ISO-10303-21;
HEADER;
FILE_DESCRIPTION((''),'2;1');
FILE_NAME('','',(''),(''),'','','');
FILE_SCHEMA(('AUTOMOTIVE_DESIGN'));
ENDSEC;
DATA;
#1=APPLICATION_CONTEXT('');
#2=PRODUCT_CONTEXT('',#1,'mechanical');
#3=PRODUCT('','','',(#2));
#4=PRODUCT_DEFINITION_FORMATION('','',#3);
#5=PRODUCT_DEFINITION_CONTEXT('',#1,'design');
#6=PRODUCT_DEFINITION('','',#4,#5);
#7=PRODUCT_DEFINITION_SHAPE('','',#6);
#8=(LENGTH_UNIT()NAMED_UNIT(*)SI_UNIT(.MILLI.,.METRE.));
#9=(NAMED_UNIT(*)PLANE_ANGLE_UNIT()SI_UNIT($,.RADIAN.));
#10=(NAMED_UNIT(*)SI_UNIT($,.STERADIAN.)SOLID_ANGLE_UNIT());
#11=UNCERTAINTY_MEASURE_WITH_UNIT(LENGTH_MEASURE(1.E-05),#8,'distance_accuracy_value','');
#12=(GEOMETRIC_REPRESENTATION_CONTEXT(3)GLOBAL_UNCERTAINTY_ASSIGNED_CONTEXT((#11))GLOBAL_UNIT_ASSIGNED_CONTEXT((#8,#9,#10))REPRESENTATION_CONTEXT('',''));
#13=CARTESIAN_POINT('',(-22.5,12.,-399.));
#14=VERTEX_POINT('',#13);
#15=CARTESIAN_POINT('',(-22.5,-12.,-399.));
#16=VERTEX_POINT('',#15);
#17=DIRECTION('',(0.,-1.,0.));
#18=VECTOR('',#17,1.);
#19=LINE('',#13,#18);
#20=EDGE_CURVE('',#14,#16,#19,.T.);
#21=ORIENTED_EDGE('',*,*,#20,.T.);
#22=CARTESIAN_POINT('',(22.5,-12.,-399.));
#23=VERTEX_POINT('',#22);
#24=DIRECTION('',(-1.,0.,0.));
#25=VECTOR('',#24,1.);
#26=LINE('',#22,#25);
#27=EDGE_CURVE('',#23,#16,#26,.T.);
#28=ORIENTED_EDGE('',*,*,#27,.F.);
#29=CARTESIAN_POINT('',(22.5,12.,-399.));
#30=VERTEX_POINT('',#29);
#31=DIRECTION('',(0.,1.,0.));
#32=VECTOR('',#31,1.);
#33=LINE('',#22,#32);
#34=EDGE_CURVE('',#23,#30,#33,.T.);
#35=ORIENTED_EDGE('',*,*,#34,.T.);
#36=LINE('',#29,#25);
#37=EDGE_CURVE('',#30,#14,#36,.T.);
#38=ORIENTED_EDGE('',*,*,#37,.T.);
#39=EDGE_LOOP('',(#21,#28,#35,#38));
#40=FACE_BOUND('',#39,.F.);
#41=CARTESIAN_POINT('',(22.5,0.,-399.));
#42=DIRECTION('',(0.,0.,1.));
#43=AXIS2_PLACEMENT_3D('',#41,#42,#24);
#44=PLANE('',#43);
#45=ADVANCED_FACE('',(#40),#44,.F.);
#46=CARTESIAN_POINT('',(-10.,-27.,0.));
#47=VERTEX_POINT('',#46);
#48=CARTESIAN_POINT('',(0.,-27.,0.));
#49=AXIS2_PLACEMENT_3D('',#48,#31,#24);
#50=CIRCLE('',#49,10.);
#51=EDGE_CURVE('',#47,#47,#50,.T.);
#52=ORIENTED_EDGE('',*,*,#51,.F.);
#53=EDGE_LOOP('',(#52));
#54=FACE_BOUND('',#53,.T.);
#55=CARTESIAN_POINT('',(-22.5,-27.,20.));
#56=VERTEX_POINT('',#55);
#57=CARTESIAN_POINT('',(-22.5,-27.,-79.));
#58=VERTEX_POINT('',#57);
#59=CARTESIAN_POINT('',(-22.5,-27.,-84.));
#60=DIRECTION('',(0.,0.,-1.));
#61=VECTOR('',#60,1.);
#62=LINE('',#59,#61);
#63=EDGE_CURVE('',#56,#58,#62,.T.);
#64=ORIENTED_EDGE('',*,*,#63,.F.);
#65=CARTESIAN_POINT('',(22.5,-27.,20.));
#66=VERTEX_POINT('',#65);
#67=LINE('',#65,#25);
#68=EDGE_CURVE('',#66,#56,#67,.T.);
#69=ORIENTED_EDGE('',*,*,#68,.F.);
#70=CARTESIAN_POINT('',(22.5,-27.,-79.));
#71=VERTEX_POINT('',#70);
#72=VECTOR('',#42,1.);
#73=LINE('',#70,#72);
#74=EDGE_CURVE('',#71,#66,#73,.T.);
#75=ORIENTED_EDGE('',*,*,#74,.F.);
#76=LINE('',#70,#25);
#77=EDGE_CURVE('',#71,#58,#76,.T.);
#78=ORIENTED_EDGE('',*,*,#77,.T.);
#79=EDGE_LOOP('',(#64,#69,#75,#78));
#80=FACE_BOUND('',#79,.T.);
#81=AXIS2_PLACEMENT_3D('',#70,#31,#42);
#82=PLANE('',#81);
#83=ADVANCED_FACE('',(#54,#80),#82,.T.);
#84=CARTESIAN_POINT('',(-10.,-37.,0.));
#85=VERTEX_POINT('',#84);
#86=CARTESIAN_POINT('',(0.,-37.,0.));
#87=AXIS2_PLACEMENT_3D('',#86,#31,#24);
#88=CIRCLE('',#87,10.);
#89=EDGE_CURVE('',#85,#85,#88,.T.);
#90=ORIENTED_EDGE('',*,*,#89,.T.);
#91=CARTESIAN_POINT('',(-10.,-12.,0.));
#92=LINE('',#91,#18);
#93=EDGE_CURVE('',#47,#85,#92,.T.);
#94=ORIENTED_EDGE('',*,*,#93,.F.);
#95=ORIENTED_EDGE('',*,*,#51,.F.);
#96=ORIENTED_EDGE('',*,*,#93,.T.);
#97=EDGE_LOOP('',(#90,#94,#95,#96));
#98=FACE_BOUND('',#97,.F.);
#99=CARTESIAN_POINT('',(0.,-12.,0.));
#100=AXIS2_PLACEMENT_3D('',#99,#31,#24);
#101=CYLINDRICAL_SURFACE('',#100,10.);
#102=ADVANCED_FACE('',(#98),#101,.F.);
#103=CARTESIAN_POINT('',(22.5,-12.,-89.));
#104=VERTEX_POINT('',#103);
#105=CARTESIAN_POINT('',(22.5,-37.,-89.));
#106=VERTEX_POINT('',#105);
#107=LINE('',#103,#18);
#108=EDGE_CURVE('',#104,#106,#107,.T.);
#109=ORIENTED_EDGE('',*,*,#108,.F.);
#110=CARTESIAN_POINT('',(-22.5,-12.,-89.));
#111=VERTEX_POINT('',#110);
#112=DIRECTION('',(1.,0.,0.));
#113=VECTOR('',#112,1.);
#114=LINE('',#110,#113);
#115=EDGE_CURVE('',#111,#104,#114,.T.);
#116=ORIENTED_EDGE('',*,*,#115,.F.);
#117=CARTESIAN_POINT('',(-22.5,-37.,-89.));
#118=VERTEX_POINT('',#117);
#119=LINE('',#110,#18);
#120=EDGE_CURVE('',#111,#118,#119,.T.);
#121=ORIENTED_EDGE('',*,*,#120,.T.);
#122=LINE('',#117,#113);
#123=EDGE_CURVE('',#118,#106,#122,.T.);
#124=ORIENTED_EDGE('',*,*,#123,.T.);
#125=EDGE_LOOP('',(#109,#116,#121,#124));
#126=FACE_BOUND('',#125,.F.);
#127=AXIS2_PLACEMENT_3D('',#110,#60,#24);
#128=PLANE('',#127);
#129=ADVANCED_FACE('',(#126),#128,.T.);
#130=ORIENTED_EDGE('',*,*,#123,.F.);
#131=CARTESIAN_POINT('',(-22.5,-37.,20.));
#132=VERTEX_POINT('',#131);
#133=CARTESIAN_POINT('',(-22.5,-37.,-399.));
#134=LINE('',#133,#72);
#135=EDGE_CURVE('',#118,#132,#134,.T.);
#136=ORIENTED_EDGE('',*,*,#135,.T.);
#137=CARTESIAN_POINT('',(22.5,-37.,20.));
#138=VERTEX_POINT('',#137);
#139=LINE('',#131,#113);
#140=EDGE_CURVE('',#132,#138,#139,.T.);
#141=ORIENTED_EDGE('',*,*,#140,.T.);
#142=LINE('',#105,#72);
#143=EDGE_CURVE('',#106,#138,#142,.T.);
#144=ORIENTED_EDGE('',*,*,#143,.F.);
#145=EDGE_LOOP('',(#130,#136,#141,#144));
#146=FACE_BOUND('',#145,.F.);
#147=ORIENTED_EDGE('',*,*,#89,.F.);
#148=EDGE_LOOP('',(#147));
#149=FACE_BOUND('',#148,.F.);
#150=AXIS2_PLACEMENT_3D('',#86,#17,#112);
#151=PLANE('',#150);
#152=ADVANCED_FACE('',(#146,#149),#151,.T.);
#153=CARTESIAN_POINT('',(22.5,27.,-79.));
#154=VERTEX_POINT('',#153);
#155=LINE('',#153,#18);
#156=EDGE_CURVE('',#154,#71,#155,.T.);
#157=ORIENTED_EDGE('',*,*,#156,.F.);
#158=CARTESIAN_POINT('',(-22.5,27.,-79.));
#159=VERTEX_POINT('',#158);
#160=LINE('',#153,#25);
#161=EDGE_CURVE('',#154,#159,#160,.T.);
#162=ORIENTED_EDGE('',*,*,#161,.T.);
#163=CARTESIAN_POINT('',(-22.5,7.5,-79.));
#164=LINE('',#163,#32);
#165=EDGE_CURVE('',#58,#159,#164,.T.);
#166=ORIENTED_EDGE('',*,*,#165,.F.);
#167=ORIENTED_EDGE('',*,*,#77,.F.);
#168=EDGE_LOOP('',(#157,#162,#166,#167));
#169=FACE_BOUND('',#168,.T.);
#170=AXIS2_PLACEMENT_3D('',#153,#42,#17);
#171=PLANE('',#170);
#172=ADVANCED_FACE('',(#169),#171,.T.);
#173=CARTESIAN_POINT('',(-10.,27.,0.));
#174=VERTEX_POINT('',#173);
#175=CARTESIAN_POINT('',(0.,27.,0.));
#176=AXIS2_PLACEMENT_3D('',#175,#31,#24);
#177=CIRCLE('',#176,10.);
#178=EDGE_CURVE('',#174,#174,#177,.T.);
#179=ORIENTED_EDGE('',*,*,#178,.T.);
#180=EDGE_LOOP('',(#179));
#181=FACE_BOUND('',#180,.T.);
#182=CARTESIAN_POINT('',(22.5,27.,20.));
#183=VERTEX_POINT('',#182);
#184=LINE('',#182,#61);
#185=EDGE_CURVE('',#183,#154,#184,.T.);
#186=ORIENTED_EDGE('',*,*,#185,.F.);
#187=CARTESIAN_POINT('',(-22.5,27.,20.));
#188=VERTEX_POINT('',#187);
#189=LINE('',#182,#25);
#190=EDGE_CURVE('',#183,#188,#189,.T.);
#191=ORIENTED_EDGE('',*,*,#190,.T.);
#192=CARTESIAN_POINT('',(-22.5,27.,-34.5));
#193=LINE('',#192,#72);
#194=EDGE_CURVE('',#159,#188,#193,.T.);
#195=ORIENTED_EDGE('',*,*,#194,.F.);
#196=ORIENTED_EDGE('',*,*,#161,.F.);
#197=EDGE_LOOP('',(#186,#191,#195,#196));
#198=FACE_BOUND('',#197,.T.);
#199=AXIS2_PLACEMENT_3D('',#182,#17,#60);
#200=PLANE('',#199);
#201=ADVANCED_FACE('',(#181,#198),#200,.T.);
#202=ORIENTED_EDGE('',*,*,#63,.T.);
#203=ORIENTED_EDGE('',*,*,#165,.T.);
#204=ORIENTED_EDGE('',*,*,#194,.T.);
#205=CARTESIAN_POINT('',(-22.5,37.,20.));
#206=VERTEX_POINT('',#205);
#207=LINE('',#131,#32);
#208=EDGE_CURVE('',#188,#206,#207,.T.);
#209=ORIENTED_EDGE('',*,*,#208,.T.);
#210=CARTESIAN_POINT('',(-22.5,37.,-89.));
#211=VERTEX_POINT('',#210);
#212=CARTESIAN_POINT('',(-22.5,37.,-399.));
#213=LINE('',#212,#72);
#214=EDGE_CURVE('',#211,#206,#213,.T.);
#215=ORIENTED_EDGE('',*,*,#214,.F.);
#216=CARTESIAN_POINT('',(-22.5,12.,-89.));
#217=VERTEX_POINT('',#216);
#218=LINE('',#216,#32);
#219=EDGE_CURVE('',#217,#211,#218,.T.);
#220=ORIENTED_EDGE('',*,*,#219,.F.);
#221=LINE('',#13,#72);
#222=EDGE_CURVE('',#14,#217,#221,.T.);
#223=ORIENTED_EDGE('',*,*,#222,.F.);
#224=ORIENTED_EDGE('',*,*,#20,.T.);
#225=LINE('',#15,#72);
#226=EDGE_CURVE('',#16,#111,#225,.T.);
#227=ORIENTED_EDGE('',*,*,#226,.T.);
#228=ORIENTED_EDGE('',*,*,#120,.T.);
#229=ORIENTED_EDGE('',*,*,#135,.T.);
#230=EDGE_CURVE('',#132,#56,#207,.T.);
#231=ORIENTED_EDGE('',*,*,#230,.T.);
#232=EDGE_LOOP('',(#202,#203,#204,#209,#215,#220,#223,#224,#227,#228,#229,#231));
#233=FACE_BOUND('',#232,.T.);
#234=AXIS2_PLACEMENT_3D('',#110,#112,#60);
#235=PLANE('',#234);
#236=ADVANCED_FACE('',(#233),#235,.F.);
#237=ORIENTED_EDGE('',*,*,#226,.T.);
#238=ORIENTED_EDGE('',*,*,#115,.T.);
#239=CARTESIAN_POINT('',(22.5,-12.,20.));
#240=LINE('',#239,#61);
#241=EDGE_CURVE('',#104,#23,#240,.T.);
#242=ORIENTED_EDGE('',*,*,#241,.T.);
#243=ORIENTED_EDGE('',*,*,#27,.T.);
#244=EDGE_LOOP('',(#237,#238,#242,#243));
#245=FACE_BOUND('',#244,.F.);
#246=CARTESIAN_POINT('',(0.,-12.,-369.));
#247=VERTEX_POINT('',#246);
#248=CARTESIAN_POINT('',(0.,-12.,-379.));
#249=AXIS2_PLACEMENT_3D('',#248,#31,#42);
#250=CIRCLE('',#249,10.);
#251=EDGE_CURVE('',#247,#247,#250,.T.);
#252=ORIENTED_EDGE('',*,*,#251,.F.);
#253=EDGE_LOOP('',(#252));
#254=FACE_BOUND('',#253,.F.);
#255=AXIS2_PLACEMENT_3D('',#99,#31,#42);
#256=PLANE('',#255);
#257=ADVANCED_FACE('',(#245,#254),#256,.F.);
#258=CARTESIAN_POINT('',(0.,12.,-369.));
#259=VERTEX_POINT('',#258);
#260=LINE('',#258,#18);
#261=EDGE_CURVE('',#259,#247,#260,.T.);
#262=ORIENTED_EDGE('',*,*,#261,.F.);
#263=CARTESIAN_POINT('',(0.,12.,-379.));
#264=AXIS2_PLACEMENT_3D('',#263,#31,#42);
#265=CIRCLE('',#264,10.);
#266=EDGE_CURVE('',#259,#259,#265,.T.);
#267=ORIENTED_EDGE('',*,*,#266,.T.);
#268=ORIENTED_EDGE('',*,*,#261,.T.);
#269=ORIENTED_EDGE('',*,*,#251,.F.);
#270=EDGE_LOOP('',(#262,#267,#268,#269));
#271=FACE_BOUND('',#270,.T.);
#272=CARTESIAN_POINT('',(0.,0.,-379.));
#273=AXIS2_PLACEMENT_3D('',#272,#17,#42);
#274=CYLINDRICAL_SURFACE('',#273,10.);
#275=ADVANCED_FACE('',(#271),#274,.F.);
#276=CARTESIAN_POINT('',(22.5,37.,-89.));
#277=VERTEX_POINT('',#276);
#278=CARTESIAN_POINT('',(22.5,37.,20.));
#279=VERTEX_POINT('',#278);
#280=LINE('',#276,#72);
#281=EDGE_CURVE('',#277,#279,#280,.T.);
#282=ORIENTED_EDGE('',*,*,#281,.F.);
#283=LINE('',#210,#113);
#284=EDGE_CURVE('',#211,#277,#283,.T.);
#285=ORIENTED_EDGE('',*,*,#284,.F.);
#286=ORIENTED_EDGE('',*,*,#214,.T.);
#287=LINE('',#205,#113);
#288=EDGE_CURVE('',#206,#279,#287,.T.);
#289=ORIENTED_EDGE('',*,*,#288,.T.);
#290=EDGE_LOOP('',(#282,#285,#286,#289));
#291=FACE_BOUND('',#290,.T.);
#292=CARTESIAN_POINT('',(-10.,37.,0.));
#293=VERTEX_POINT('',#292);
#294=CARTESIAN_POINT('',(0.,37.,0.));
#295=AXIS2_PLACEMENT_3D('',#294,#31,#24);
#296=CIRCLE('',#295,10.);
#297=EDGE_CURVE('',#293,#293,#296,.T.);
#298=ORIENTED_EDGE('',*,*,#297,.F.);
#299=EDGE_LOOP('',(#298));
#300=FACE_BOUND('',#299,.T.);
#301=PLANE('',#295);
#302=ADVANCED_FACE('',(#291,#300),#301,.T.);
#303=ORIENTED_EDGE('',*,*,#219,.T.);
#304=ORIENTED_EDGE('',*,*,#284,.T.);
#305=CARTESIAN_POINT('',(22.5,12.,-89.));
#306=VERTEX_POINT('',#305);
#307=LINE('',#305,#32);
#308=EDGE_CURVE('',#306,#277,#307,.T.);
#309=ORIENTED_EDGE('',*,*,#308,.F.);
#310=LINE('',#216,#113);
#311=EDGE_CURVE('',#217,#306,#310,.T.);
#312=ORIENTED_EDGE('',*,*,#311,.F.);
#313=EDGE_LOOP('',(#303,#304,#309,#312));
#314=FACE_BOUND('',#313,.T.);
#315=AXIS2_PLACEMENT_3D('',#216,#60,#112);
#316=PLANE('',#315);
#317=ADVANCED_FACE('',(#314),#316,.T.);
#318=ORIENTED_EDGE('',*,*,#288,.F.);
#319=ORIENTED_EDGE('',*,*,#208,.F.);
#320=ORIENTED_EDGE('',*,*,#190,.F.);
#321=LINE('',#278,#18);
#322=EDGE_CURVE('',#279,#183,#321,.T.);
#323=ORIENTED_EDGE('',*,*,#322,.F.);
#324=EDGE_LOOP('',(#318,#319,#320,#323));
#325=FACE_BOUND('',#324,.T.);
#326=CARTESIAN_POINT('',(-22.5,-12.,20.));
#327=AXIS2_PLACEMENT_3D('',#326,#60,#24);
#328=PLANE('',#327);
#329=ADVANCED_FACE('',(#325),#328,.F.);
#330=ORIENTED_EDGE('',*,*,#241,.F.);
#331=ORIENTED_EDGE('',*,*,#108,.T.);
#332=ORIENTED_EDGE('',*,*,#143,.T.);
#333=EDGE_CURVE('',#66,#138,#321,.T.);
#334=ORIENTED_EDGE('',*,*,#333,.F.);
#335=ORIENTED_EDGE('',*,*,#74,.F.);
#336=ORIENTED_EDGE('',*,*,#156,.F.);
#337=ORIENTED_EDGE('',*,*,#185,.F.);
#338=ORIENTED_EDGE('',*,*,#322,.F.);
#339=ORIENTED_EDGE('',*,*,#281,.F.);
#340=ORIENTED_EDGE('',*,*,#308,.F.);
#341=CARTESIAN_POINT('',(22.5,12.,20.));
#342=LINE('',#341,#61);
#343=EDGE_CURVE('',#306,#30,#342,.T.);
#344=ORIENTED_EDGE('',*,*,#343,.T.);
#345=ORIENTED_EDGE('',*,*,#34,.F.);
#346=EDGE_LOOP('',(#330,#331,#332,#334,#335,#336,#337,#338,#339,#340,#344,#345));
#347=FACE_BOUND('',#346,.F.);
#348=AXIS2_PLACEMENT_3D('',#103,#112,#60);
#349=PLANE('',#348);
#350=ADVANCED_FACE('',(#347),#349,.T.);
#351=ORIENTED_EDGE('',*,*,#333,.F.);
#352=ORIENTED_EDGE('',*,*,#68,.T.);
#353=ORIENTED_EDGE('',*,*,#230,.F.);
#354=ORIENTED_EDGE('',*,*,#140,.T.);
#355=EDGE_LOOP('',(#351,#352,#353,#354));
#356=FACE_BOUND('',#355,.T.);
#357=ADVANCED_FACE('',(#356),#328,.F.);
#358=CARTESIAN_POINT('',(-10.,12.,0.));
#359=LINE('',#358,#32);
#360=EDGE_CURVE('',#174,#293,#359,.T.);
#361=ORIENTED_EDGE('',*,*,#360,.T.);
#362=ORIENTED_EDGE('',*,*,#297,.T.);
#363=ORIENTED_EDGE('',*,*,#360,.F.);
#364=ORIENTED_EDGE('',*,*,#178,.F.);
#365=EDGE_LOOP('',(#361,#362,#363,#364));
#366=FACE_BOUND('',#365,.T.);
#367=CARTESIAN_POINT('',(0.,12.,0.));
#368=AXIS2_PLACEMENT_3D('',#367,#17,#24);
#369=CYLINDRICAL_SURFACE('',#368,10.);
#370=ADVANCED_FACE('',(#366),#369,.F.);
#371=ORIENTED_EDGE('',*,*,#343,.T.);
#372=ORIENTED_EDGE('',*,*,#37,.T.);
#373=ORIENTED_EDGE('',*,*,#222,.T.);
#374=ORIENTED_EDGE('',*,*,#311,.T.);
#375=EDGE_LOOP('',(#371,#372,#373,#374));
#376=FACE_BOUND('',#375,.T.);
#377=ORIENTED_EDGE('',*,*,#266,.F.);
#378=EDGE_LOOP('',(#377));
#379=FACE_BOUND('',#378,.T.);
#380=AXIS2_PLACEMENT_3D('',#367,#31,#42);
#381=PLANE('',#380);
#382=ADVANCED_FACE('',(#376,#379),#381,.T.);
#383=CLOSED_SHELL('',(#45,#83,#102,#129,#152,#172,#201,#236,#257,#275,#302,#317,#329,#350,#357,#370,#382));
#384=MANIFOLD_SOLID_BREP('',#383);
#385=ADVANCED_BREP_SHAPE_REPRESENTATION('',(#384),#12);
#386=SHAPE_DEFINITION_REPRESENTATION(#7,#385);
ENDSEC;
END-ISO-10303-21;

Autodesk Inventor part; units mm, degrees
ref_plane "YZ Plane" through (0, 0, 0) normal (1, 0, 0) x (0, 1, 0)
ref_plane "XZ Plane" through (0, 0, 0) normal (0, 1, 0) x (-1, 0, 0)
ref_plane "XY Plane" through (0, 0, 0) normal (0, 0, 1) x (1, 0, 0)
sketch "Sketch1" plane through (0, 0, 0) normal (1, 0, 0) x (0, 1, 0)
  circle A0 centre (0, 0) radius 10
  circle A1 centre (-379, 0) radius 10
  line L0 (0, 0) -> (-379, 0) construction
  line L1 (20, 22.5) -> (-399, 22.5)
  line L2 (-399, 22.5) -> (-399, -22.5)
  line L3 (-399, -22.5) -> (20, -22.5)
  line L4 (20, -22.5) -> (20, 22.5)
  line L5 (20, 0) -> (-399, 0) construction
  dimension "d0" = 20
  dimension "d2" = 20
  dimension "d3" = 379
  dimension "d4" = 45
  dimension "d5" = 20
extrude "Extrusion1" add sketch "Sketch1" along normal mid plane 24
sketch "Sketch2" plane through (12, 0, 0) normal (1, 0, 0) x (0, 0, -1)
  circle A0 centre (0, 0) radius 10 projected
  line L0 (22.5, -399) -> (22.5, 20) projected
  line L1 (22.5, 20) -> (-22.5, 20) projected
  line L2 (-22.5, 20) -> (22.5, 20)
  line L3 (22.5, 20) -> (22.5, -89)
  line L4 (22.5, -89) -> (-22.5, -89)
  line L5 (-22.5, -89) -> (-22.5, 20)
  circle A1 centre (0, 0) radius 10
  dimension "d8" = 109
extrude "Extrusion2" add sketch "Sketch2" along normal blind 25
mirror "Mirror1" about plane through (0, 0, 0) normal (1, 0, 0) of "Extrusion2"
sketch "Sketch3" plane through (-12, -399, 22.5) normal (0, 0, 1) x (1, 0, 0)
  line L0 (49, 419) -> (-25, 419) projected
  line L1 (-15, 419) -> (39, 419)
  line L2 (39, 419) -> (39, 320)
  line L3 (39, 320) -> (-15, 320)
  line L4 (-15, 320) -> (-15, 419)
  line L5 (12, 419) -> (12, 320) construction
  point P0 (12, 399)
  dimension "d11" = 99
  dimension "d13" = 54
extrude "Extrusion3" cut sketch "Sketch3" against normal through all
move or copy body "Move Body1" bodies to move or copy 1 copy no rotation origin (0, 0, 0) rotation axis (1, 0, 0) rotation angle 90
move or copy body "Move Body2" bodies to move or copy 1 copy no rotation origin (0, 0, 0) rotation axis (0, 0, 1) rotation angle 90
properties part number "UpperLeg_v2"
